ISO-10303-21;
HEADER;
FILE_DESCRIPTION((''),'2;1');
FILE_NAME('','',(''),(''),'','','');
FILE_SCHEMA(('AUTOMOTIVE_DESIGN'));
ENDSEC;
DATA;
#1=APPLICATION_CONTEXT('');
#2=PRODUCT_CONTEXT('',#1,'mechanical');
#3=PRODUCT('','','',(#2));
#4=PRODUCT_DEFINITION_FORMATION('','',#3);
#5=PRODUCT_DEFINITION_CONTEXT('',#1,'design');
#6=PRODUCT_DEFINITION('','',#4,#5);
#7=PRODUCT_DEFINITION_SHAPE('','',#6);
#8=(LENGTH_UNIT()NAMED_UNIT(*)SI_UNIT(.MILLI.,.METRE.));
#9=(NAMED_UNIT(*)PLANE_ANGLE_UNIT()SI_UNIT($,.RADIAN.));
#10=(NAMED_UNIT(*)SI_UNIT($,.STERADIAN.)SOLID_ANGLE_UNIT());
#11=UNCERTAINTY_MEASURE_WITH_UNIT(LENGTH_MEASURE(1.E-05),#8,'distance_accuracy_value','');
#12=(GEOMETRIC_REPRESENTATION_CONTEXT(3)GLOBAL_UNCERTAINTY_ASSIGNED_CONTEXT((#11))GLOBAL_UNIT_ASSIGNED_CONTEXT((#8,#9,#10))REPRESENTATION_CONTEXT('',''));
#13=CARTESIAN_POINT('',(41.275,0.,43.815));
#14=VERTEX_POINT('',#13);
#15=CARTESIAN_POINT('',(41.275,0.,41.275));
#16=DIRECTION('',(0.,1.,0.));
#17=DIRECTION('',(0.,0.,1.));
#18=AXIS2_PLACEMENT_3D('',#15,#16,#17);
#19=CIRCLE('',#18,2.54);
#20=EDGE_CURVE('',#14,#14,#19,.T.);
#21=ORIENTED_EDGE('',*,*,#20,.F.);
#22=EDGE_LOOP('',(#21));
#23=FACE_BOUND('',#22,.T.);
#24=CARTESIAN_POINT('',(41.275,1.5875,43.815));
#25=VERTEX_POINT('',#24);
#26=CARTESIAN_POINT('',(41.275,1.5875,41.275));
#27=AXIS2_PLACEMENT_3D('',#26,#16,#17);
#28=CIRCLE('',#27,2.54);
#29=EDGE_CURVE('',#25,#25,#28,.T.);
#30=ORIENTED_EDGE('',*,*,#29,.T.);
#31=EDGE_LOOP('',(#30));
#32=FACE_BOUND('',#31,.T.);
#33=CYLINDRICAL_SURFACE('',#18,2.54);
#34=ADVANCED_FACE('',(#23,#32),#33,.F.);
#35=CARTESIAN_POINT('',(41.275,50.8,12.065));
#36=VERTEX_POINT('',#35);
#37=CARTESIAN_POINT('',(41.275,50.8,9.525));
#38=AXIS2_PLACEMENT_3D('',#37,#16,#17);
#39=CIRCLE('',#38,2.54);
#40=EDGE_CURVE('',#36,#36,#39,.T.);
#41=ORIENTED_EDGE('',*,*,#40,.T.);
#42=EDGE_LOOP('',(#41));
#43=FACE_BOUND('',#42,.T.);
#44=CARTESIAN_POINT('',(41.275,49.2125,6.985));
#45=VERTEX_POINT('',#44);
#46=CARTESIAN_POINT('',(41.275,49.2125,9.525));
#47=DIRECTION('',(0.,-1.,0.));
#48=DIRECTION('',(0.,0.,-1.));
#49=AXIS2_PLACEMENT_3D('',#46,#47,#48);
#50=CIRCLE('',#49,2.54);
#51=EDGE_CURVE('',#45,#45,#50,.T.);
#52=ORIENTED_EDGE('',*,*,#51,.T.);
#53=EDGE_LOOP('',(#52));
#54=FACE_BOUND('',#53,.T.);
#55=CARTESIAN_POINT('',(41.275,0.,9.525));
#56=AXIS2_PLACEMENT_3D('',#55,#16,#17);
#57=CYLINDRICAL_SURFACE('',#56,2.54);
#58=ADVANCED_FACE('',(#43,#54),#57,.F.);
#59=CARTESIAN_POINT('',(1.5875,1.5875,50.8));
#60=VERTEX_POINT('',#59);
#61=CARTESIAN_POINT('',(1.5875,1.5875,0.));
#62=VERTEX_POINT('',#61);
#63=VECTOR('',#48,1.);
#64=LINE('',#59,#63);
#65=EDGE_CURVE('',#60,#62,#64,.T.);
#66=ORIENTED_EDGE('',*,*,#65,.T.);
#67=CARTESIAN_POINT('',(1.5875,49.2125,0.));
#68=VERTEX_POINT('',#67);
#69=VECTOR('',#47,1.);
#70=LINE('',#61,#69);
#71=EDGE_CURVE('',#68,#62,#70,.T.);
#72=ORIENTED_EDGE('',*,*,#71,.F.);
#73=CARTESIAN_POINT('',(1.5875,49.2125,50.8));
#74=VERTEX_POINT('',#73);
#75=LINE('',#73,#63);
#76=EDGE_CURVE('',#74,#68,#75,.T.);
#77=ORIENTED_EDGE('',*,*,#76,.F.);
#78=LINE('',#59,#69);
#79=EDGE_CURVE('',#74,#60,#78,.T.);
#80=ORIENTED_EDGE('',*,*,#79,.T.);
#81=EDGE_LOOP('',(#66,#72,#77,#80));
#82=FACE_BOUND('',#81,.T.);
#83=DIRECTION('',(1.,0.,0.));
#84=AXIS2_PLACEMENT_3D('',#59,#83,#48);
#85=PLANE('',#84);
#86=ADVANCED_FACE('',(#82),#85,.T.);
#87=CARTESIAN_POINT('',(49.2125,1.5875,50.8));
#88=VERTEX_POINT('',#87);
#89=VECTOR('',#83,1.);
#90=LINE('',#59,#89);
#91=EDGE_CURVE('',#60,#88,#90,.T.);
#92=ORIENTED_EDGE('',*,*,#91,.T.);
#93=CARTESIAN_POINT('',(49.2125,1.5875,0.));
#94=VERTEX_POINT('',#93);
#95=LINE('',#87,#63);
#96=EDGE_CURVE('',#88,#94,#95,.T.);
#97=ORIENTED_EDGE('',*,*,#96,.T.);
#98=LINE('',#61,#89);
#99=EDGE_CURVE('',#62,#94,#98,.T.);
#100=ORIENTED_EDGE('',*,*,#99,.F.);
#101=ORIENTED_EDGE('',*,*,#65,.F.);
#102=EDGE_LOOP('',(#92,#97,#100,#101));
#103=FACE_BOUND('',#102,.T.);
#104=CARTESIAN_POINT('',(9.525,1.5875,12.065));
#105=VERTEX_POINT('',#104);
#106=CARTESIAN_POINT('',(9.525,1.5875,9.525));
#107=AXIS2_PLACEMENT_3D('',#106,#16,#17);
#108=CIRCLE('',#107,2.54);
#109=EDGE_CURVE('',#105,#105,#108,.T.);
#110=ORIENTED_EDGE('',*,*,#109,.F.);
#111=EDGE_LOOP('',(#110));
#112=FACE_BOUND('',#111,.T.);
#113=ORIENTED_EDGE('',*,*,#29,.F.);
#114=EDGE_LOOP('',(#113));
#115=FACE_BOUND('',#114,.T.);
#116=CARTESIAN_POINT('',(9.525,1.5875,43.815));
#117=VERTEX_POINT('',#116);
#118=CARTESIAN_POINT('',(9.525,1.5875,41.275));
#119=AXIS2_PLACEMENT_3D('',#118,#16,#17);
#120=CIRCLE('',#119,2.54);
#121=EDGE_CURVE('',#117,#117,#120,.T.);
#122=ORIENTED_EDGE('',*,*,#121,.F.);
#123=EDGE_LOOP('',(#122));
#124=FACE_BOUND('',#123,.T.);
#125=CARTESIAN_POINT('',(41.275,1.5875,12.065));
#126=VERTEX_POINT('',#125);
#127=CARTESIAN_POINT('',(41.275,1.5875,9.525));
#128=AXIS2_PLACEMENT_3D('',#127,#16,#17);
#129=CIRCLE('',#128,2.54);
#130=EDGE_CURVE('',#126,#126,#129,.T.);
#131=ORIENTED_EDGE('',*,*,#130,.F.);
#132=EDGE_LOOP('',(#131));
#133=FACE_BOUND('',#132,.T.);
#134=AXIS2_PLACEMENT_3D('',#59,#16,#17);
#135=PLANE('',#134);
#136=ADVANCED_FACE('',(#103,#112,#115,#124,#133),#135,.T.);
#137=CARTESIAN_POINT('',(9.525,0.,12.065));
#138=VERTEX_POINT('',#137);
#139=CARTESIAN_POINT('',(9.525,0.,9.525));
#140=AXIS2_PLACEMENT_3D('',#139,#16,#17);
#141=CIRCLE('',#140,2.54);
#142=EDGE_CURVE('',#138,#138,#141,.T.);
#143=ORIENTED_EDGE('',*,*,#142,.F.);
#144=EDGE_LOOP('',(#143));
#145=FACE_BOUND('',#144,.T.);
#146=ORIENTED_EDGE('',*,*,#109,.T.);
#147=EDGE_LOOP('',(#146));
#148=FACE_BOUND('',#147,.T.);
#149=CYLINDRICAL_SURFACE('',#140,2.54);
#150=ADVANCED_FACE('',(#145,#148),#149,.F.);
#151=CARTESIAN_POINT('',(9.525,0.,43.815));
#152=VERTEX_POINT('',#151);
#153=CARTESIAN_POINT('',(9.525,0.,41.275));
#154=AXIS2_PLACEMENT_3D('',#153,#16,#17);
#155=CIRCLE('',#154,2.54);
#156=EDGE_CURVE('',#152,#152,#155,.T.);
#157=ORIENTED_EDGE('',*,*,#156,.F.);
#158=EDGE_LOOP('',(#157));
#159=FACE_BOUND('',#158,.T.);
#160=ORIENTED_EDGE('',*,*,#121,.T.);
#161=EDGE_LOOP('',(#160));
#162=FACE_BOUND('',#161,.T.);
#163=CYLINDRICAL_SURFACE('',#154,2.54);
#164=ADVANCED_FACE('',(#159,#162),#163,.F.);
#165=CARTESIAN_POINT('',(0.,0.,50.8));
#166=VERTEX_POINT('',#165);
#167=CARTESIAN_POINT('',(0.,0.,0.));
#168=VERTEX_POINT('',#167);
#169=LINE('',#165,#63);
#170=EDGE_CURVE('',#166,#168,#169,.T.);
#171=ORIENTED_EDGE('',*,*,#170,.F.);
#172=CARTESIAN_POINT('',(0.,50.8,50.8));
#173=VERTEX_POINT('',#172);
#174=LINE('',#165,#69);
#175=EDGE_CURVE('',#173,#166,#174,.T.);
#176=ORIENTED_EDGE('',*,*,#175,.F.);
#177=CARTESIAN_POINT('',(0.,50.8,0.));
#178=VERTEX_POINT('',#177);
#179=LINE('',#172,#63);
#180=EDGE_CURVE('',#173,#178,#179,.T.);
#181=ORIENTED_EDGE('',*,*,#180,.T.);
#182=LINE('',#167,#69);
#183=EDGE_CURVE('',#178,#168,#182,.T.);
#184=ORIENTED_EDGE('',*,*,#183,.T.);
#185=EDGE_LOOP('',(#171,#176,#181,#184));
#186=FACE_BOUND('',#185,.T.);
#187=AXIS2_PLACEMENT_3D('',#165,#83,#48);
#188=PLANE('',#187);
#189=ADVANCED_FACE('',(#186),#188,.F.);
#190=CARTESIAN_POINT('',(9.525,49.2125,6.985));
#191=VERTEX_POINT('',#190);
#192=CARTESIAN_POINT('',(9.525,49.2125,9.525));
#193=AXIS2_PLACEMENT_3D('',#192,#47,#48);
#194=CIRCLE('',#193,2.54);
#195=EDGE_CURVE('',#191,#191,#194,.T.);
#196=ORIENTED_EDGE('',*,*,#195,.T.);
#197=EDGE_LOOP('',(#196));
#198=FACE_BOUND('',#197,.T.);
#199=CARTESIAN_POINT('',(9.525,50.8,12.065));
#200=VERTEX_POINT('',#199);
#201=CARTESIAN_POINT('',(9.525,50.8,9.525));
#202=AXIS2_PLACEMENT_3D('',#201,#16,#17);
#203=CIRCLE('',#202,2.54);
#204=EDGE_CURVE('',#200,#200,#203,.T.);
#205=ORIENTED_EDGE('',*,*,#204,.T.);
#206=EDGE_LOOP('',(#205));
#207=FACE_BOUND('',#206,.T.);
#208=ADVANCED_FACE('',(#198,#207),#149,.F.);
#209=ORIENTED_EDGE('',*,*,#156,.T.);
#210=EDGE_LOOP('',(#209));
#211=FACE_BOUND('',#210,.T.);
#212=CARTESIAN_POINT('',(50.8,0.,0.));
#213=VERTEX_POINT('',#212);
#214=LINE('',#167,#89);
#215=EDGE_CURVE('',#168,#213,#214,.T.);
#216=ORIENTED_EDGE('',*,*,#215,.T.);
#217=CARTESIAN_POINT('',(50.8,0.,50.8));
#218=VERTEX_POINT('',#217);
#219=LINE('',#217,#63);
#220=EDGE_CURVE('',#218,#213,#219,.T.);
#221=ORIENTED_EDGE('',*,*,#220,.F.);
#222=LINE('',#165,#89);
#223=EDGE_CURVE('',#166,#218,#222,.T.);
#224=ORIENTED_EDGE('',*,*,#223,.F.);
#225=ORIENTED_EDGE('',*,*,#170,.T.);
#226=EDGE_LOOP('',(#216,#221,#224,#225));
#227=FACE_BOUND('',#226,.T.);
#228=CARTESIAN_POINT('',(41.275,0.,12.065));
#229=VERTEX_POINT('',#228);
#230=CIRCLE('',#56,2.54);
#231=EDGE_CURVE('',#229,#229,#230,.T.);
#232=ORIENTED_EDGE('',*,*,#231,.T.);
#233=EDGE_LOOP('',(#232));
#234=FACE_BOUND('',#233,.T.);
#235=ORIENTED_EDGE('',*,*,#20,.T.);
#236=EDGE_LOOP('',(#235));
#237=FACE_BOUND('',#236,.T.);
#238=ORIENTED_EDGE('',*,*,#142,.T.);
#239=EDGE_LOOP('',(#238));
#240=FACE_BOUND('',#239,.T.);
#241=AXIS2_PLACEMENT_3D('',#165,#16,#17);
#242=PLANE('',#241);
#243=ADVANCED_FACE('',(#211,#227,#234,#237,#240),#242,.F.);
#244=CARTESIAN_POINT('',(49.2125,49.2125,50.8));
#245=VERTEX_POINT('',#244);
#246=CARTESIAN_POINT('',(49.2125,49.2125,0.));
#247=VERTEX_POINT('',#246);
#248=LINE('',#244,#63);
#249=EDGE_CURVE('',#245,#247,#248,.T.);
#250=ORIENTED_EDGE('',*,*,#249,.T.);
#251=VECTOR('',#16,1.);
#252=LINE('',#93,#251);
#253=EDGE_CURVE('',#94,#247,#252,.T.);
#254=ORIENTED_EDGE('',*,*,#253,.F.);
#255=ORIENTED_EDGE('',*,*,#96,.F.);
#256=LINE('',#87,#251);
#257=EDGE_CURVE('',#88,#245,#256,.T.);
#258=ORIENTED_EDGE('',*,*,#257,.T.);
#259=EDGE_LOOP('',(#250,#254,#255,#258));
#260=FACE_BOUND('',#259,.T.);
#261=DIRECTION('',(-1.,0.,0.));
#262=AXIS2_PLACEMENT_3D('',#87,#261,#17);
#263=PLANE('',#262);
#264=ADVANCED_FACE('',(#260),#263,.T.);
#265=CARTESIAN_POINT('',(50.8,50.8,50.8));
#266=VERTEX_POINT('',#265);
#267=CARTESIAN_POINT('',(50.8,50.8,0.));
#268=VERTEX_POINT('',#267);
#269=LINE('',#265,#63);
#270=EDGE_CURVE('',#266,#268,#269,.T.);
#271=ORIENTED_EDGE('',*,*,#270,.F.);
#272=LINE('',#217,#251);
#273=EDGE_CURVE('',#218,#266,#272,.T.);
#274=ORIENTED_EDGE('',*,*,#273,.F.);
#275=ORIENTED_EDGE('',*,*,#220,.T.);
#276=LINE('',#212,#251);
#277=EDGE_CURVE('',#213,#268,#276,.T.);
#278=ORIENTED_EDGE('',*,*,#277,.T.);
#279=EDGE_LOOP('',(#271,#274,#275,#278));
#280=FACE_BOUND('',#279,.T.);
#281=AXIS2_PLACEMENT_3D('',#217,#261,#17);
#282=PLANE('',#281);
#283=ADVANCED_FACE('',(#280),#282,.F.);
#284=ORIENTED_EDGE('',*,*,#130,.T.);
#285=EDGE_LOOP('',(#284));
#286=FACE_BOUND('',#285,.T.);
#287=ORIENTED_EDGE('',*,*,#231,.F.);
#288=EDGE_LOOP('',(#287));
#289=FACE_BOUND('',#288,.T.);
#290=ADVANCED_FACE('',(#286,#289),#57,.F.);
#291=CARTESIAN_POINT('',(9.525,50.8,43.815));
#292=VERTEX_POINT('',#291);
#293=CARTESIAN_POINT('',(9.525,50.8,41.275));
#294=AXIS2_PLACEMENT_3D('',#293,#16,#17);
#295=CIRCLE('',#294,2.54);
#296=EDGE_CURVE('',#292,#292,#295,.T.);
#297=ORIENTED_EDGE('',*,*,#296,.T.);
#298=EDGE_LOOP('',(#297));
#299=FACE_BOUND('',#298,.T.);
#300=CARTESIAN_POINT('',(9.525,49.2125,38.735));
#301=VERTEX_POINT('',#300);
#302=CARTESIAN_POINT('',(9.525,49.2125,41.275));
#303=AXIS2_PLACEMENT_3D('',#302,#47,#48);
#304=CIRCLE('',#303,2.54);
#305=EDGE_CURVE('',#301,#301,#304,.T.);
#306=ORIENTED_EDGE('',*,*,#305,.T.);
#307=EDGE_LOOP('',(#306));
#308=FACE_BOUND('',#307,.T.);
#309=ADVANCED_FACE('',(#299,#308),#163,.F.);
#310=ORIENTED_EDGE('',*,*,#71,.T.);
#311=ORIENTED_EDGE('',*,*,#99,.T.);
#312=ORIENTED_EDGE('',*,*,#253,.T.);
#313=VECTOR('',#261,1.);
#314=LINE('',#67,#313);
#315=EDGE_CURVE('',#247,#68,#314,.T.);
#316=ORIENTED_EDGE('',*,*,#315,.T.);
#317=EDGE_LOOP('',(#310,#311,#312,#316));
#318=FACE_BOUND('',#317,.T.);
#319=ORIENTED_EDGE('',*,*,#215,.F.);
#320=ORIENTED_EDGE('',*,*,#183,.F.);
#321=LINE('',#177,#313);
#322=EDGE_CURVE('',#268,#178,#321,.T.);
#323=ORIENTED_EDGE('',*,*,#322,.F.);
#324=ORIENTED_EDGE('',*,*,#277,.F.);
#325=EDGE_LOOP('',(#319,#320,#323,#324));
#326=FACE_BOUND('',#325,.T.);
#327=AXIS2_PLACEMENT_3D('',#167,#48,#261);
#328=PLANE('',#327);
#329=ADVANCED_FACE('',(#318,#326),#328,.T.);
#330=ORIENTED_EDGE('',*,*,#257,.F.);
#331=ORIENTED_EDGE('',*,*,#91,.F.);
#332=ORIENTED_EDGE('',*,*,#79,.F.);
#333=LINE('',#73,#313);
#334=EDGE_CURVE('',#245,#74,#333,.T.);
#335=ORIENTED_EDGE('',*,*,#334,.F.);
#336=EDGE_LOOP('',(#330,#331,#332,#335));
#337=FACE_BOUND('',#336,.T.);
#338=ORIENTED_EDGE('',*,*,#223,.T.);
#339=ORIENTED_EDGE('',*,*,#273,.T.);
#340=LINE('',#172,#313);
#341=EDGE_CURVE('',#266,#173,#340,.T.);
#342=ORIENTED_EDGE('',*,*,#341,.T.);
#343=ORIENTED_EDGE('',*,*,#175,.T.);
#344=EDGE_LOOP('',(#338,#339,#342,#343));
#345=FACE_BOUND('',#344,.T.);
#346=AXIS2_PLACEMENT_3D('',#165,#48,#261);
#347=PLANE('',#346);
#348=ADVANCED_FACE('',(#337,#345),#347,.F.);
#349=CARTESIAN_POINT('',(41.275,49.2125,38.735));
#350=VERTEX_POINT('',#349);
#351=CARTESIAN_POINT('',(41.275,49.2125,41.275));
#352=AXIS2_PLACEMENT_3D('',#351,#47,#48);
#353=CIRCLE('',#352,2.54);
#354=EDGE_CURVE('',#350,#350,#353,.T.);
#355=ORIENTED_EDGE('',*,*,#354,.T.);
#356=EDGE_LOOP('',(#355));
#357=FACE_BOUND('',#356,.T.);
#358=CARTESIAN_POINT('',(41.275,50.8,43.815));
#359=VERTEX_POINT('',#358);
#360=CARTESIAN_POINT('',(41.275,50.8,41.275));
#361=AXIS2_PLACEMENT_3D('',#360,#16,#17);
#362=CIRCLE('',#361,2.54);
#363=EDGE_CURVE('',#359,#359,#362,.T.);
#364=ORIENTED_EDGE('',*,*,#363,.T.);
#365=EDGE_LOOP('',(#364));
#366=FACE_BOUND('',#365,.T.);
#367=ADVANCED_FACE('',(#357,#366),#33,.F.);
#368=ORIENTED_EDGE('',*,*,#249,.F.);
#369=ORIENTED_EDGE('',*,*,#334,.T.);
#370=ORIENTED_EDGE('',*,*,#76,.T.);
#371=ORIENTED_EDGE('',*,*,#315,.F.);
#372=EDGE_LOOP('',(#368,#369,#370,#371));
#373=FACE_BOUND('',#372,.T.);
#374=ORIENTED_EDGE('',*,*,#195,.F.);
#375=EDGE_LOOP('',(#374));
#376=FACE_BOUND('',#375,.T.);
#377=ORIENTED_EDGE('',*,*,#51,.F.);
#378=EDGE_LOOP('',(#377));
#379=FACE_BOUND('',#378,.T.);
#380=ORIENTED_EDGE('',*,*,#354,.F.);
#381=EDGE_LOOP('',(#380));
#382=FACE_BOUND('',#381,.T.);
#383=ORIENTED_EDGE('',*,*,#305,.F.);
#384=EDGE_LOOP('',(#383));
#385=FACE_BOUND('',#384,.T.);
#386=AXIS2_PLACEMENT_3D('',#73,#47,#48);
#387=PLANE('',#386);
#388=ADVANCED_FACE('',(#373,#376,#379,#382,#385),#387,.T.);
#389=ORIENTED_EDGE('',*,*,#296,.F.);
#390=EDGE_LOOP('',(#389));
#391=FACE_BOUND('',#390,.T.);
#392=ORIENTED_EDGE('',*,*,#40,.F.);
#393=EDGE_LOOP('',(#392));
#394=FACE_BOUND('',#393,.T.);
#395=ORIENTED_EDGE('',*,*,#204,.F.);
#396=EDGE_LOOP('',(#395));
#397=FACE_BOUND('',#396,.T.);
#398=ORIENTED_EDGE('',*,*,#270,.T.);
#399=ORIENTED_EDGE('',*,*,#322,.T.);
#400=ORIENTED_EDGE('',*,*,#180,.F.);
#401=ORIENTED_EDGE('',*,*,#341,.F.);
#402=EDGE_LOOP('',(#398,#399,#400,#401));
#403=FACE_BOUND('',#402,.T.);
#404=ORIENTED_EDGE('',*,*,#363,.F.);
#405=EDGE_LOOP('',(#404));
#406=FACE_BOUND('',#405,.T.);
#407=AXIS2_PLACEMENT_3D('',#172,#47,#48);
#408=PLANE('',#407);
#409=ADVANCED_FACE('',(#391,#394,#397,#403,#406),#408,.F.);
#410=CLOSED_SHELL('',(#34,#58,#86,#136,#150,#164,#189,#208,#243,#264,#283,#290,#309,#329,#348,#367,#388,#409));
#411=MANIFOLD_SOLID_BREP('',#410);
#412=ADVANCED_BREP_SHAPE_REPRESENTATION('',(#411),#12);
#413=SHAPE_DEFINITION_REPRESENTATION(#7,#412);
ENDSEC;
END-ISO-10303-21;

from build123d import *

# Parameters (mm, degrees)
SKETCH2_W           = 50.8
SKETCH2_H           = 50.8
SKETCH2_W_2         = 47.625
SKETCH2_H_2         = 47.625
BOSS_EXTRUDE1_DEPTH = 50.8
SKETCH3_R           = 2.54
CUT_EXTRUDE1_DEPTH  = 88.988181024


with BuildPart() as part:
    # Sketch2 → Boss-Extrude1 (new body)
    with BuildSketch(Plane.XY):
        with Locations((25.4, 25.4)):
            Rectangle(SKETCH2_W, SKETCH2_H)
        with Locations((25.4, 25.4)):
            Rectangle(SKETCH2_W_2, SKETCH2_H_2, mode=Mode.SUBTRACT)
    extrude(amount=BOSS_EXTRUDE1_DEPTH)

    # Sketch3 → Cut-Extrude1 (cut, through all)
    with BuildSketch(Plane(origin=(0, 50.8, 0), x_dir=(1, 0, 0), z_dir=(0, 1, 0))):
        with Locations(Location((41.275, -9.525, 0), (0, 0, 270))):
            Circle(SKETCH3_R)
        with Locations(Location((41.275, -41.275, 0), (0, 0, 270))):
            Circle(SKETCH3_R)
        with Locations(Location((9.525, -9.525, 0), (0, 0, 270))):
            Circle(SKETCH3_R)
        with Locations(Location((9.525, -41.275, 0), (0, 0, 270))):
            Circle(SKETCH3_R)
    extrude(amount=-CUT_EXTRUDE1_DEPTH, mode=Mode.SUBTRACT)


solid = part.part
